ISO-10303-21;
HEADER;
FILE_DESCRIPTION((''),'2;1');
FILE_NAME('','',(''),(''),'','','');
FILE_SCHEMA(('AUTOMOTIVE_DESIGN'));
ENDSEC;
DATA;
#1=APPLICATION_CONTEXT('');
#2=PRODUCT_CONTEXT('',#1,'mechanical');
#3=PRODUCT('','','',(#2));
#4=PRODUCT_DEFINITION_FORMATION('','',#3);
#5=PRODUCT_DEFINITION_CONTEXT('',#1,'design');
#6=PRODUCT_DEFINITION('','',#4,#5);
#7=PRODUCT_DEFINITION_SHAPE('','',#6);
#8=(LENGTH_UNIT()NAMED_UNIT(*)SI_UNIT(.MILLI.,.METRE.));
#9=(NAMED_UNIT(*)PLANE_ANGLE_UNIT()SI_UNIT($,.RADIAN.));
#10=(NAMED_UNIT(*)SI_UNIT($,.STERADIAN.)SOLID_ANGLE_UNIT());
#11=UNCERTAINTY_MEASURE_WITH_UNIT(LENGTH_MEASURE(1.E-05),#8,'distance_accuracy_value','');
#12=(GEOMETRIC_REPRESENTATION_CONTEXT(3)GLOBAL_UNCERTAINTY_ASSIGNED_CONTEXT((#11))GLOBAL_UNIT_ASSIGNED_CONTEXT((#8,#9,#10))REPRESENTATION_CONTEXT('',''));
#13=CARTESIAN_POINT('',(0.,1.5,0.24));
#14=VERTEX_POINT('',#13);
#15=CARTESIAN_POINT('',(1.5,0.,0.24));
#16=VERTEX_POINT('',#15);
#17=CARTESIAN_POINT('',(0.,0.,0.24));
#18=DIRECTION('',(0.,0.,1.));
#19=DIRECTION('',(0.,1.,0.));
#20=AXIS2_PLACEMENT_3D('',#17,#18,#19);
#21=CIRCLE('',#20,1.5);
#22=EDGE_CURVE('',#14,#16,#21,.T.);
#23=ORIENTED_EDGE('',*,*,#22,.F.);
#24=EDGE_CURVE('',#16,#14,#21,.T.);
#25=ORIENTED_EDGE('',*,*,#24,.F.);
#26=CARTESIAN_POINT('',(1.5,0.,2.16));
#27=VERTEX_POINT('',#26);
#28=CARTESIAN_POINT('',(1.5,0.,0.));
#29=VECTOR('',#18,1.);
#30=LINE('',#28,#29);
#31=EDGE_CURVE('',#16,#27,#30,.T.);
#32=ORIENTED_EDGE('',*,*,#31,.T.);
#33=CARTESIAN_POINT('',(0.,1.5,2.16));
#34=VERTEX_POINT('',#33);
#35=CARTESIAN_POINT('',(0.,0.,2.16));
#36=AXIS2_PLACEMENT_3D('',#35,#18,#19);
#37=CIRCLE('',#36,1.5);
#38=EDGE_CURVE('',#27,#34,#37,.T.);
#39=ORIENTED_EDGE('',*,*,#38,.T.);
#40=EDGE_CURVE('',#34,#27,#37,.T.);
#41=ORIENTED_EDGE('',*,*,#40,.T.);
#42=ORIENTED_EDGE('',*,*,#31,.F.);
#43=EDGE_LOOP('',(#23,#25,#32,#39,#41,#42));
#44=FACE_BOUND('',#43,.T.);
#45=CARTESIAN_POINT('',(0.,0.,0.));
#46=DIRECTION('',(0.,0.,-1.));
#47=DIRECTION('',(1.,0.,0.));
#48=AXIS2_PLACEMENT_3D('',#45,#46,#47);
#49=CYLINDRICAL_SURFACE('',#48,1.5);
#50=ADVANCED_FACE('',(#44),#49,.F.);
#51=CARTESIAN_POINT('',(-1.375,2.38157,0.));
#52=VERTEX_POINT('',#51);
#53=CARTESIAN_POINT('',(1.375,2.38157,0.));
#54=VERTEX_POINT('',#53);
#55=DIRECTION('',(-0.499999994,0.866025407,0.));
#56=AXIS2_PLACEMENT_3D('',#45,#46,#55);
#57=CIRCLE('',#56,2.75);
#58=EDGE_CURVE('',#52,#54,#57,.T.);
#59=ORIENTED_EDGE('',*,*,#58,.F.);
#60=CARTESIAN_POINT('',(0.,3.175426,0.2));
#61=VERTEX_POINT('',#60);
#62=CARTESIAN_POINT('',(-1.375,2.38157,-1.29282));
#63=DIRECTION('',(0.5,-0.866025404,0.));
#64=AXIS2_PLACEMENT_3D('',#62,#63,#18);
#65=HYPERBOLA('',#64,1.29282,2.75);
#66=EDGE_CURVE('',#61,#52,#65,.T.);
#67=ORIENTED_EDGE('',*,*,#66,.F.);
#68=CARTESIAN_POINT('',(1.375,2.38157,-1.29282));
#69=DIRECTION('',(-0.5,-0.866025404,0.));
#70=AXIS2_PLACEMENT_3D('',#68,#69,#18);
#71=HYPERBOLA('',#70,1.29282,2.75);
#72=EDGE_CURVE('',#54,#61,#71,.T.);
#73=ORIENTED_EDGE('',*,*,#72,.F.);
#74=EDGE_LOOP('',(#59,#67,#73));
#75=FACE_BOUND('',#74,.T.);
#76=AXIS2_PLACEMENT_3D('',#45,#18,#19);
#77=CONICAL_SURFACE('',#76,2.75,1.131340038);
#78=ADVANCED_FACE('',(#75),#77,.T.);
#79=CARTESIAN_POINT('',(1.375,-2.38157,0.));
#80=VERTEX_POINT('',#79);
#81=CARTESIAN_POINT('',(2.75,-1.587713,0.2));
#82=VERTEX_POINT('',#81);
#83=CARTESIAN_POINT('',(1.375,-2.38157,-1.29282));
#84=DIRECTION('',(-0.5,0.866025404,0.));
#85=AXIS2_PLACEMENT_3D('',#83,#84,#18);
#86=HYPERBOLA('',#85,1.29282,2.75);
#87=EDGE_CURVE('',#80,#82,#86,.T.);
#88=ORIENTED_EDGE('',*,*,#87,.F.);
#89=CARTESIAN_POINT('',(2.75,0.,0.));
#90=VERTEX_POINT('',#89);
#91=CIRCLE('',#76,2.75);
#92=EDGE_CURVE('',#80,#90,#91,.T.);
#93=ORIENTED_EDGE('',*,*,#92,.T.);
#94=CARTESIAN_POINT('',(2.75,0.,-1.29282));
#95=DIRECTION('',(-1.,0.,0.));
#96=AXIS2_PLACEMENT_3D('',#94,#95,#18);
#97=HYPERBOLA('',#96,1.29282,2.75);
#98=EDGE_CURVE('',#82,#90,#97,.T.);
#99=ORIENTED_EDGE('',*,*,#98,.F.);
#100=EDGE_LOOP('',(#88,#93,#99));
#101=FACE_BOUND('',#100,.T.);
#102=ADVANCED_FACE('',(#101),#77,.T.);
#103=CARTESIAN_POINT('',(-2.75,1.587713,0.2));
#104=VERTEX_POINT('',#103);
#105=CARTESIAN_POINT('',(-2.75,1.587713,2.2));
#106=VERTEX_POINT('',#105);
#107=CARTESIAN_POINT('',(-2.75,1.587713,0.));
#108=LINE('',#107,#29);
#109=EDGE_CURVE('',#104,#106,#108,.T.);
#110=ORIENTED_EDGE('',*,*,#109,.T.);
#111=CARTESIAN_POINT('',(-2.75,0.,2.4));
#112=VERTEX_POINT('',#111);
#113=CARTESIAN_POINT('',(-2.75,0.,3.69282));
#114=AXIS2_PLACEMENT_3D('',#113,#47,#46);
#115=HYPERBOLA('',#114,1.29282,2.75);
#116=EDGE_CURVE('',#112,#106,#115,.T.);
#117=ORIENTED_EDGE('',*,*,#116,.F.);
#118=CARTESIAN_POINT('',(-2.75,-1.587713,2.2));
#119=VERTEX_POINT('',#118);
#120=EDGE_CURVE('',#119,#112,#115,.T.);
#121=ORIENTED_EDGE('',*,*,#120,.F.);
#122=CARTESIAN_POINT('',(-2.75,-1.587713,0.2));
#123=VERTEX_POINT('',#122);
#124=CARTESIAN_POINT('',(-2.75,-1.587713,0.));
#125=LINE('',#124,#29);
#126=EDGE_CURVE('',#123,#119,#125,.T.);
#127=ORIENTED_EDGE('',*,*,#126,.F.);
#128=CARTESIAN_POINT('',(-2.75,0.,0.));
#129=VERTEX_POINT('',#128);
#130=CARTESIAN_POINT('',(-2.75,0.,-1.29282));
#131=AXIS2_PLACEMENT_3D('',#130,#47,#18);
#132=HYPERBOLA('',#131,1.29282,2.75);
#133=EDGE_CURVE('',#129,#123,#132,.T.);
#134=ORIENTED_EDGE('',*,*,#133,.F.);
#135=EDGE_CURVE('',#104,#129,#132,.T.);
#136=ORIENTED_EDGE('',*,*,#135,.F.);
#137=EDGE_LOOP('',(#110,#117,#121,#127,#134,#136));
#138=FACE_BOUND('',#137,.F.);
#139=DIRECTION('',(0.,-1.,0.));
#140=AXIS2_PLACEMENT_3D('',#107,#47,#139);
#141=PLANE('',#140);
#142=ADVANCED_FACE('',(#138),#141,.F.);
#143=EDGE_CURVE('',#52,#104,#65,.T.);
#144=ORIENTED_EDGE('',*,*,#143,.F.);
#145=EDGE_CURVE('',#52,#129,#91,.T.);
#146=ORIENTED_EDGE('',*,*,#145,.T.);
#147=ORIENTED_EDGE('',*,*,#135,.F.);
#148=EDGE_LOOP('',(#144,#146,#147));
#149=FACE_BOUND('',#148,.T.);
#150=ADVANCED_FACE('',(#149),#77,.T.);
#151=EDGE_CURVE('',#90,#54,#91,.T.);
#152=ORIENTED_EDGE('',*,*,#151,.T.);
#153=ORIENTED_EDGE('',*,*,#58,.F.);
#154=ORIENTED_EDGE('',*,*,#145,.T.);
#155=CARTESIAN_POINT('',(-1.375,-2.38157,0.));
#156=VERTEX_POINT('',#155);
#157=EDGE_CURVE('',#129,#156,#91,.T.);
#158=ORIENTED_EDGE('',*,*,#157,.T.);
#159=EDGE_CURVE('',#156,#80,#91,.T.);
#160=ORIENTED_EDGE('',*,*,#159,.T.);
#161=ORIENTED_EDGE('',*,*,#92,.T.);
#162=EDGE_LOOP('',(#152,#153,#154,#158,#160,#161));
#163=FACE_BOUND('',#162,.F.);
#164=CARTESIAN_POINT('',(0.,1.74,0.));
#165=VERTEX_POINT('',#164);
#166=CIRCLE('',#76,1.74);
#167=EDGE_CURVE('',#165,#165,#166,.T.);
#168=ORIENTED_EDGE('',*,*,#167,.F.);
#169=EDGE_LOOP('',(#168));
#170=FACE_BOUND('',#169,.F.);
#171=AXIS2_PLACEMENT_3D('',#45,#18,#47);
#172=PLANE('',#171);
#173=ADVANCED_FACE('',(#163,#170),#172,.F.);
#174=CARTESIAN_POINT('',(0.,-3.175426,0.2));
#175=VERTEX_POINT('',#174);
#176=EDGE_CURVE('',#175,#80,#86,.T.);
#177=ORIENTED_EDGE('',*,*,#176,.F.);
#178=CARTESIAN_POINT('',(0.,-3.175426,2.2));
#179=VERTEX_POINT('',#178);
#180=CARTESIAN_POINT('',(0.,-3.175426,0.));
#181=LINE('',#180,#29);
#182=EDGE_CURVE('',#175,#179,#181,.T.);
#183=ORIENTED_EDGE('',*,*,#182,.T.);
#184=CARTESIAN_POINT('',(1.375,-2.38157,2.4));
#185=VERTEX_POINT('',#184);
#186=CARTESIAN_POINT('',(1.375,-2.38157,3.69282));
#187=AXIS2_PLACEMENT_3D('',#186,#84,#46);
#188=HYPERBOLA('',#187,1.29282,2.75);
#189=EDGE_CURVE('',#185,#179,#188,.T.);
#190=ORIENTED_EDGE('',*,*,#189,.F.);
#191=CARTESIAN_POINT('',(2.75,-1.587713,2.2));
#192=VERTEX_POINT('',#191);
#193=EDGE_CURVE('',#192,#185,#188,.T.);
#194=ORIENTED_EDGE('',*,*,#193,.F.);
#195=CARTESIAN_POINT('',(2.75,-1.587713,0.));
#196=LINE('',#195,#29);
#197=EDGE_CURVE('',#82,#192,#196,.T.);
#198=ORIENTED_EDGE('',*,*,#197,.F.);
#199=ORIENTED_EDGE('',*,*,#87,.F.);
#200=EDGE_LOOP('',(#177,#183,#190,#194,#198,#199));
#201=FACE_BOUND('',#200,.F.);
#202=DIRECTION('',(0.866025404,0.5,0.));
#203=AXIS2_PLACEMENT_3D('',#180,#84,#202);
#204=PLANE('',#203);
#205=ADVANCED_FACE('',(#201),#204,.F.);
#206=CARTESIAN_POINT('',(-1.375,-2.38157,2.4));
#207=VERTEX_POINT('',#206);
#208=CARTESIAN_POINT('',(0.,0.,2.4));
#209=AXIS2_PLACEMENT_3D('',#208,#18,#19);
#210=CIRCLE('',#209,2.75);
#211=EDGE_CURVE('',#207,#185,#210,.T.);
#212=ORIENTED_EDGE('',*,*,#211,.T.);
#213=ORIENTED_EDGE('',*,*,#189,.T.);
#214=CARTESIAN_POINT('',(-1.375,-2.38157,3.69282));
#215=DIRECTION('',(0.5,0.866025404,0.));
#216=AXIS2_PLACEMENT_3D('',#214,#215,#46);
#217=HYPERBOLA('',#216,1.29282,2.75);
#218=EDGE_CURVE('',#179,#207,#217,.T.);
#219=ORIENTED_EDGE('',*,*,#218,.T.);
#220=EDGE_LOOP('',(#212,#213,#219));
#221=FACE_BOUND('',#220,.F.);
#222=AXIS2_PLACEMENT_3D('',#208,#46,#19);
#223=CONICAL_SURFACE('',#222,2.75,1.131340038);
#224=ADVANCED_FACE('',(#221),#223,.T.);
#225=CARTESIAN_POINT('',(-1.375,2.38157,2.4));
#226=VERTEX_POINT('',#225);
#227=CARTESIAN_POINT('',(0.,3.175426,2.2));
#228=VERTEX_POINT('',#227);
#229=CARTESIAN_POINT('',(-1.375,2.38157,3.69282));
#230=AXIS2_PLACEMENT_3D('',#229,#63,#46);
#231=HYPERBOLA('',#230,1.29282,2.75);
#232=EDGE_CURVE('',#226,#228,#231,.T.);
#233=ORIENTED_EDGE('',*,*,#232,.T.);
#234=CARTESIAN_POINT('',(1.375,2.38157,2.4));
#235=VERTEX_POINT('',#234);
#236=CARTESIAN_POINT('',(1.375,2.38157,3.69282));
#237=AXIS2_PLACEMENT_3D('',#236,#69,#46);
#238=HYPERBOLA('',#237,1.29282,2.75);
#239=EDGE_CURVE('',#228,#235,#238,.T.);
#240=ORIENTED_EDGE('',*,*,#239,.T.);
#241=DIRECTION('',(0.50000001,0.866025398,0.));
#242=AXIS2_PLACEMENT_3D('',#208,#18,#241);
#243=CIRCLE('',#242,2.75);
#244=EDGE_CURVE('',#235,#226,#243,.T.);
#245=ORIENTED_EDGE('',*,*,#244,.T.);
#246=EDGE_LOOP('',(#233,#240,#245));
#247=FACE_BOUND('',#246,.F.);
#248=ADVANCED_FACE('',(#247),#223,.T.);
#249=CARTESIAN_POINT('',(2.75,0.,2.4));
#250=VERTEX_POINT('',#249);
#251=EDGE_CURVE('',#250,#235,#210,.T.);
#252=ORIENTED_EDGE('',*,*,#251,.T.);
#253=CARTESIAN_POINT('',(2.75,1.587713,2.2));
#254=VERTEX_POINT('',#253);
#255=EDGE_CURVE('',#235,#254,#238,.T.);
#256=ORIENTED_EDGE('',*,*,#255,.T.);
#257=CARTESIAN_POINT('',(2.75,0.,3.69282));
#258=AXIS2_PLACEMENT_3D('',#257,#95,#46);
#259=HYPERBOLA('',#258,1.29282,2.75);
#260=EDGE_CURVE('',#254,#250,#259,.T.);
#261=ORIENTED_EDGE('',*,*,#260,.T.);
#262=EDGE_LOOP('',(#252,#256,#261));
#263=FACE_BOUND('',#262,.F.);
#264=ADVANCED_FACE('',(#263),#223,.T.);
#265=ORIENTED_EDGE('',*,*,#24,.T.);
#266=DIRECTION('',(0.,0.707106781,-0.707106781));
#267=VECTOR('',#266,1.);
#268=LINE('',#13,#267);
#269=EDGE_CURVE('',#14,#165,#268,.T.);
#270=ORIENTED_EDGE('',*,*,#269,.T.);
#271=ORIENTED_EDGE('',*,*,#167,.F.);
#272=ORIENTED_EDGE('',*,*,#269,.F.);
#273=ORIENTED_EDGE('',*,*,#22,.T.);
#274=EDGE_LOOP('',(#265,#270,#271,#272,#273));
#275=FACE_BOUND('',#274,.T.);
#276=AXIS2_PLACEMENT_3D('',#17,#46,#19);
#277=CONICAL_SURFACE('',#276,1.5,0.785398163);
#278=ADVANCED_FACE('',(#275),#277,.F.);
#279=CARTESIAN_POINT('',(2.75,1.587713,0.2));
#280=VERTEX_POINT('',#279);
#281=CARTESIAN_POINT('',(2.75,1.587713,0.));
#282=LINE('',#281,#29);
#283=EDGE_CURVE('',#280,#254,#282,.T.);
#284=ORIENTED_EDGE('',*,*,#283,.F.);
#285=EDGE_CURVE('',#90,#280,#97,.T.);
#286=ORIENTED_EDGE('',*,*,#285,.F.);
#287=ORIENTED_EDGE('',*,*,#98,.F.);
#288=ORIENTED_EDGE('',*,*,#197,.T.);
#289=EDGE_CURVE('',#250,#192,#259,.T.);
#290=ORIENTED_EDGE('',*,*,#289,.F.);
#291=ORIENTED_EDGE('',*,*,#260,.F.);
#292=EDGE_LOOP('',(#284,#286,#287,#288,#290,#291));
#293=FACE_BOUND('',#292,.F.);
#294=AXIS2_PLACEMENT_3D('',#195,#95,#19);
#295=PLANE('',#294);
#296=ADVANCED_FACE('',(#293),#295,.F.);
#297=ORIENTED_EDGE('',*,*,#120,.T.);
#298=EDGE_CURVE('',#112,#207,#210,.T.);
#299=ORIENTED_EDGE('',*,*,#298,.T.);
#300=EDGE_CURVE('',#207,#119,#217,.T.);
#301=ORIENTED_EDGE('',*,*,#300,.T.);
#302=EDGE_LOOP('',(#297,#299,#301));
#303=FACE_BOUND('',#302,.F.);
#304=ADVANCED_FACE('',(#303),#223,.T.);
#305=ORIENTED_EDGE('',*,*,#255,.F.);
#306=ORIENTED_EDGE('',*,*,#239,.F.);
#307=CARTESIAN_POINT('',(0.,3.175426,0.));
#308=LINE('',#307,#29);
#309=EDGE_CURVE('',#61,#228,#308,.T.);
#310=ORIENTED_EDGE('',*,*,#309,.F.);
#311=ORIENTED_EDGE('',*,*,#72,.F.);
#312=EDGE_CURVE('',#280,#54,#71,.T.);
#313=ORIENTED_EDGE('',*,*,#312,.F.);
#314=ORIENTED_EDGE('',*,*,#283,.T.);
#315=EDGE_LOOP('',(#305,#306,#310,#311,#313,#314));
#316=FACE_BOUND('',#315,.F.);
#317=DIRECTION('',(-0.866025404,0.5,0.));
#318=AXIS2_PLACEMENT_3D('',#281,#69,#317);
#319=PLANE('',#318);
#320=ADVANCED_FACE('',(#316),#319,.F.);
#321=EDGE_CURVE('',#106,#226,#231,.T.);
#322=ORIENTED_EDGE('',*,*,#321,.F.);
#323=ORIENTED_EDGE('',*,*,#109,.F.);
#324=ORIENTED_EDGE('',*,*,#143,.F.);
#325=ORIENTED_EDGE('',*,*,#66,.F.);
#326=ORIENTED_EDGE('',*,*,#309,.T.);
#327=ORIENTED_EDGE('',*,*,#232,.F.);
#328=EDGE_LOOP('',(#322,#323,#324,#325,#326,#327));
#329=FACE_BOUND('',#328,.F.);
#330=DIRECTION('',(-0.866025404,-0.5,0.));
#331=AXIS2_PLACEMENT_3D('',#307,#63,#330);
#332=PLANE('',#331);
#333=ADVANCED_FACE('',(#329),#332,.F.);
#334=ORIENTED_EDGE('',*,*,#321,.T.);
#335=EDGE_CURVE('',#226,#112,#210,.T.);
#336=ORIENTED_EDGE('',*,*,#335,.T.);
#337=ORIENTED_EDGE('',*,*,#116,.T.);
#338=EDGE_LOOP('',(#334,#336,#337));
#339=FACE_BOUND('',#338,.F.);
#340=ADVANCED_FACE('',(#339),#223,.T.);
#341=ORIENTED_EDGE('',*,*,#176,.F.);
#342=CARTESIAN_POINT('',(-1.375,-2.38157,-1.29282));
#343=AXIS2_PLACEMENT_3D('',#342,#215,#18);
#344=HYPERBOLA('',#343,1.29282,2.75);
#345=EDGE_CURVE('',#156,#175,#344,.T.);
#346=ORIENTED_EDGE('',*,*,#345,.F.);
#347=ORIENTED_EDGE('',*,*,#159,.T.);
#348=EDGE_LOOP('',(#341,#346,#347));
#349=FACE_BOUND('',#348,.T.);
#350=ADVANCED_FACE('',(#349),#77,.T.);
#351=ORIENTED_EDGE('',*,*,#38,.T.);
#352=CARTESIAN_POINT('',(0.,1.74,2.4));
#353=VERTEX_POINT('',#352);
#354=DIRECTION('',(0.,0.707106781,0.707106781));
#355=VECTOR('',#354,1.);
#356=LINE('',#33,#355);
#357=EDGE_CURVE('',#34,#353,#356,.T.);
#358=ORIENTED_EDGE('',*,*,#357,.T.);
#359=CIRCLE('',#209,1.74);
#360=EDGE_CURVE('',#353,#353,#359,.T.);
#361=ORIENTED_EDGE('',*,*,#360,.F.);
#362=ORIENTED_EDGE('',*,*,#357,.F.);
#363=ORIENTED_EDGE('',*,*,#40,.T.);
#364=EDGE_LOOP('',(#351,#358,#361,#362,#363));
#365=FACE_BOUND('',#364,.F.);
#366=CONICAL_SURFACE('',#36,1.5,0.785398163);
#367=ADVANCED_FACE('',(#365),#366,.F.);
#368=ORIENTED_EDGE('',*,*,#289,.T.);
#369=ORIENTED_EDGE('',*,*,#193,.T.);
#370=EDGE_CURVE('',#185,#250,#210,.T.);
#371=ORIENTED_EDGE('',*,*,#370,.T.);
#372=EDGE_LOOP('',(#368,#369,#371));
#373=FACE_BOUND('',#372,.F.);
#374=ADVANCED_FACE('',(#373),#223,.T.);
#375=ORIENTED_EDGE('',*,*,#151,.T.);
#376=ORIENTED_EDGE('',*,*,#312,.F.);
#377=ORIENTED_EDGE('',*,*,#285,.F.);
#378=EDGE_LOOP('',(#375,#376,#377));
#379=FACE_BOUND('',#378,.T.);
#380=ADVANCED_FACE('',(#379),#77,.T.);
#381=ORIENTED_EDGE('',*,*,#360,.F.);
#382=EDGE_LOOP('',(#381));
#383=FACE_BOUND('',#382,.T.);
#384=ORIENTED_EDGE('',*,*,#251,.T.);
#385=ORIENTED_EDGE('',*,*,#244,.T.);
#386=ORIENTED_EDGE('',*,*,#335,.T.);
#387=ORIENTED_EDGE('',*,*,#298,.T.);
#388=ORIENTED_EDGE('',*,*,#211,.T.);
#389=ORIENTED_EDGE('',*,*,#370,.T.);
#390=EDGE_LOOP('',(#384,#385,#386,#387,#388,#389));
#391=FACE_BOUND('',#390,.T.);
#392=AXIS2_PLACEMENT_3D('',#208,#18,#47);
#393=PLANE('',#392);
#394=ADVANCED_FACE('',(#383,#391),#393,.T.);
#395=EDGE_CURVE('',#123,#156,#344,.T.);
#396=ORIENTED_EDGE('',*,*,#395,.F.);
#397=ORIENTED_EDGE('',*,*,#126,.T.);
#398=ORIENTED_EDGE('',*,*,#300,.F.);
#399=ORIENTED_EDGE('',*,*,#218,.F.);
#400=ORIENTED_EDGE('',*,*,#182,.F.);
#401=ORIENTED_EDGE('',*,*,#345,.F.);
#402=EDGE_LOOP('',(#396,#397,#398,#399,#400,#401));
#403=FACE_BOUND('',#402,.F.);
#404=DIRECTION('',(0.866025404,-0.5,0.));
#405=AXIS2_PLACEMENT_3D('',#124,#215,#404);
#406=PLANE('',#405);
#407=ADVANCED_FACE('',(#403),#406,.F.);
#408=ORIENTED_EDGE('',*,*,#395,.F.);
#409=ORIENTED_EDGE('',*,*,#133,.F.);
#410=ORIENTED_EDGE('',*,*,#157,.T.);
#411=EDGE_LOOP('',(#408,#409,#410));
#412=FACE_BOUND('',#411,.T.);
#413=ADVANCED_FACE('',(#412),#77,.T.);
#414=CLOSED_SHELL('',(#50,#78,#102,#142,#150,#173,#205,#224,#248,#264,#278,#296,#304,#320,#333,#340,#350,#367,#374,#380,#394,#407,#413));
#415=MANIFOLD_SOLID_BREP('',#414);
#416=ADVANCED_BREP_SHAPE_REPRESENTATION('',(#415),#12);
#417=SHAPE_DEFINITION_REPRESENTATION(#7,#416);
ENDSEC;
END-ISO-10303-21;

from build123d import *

# Parameters (mm, degrees)
SKETCH1_R           = 1.5
BOSS_EXTRUDE1_DEPTH = 2.4


with BuildPart() as part:
    # Sketch1 → Boss-Extrude1 (new body)
    with BuildSketch(Plane.XY):
        Polygon((0, -3.175426481), (2.75, -1.58771324), (2.75, 1.58771324), (0, 3.175426481), (-2.75, 1.58771324), (-2.75, -1.58771324), align=None)
        Circle(SKETCH1_R, mode=Mode.SUBTRACT)
    extrude(amount=BOSS_EXTRUDE1_DEPTH)

    # Sketch2 → Cut-Revolve1 (revolve, cut)
    with BuildSketch(Plane(origin=(0, 0, 0), x_dir=(0, 0, -1), z_dir=(1, 0, 0))):
        Polygon((-2.4, 3.175426481), (-2.4, 2.75), (-2.2, 3.175426481), align=None)
        Polygon((-0.2, 3.175426481), (0, 3.175426481), (0, 2.75), align=None)
        Polygon((-2.4, 1.5), (-2.16, 1.5), (-2.4, 1.74), align=None)
        Polygon((0, 1.5), (-0.24, 1.5), (0, 1.74), align=None)
    revolve(axis=Axis((0, 0, 0), (0, 0, 1)), mode=Mode.SUBTRACT)


solid = part.part
